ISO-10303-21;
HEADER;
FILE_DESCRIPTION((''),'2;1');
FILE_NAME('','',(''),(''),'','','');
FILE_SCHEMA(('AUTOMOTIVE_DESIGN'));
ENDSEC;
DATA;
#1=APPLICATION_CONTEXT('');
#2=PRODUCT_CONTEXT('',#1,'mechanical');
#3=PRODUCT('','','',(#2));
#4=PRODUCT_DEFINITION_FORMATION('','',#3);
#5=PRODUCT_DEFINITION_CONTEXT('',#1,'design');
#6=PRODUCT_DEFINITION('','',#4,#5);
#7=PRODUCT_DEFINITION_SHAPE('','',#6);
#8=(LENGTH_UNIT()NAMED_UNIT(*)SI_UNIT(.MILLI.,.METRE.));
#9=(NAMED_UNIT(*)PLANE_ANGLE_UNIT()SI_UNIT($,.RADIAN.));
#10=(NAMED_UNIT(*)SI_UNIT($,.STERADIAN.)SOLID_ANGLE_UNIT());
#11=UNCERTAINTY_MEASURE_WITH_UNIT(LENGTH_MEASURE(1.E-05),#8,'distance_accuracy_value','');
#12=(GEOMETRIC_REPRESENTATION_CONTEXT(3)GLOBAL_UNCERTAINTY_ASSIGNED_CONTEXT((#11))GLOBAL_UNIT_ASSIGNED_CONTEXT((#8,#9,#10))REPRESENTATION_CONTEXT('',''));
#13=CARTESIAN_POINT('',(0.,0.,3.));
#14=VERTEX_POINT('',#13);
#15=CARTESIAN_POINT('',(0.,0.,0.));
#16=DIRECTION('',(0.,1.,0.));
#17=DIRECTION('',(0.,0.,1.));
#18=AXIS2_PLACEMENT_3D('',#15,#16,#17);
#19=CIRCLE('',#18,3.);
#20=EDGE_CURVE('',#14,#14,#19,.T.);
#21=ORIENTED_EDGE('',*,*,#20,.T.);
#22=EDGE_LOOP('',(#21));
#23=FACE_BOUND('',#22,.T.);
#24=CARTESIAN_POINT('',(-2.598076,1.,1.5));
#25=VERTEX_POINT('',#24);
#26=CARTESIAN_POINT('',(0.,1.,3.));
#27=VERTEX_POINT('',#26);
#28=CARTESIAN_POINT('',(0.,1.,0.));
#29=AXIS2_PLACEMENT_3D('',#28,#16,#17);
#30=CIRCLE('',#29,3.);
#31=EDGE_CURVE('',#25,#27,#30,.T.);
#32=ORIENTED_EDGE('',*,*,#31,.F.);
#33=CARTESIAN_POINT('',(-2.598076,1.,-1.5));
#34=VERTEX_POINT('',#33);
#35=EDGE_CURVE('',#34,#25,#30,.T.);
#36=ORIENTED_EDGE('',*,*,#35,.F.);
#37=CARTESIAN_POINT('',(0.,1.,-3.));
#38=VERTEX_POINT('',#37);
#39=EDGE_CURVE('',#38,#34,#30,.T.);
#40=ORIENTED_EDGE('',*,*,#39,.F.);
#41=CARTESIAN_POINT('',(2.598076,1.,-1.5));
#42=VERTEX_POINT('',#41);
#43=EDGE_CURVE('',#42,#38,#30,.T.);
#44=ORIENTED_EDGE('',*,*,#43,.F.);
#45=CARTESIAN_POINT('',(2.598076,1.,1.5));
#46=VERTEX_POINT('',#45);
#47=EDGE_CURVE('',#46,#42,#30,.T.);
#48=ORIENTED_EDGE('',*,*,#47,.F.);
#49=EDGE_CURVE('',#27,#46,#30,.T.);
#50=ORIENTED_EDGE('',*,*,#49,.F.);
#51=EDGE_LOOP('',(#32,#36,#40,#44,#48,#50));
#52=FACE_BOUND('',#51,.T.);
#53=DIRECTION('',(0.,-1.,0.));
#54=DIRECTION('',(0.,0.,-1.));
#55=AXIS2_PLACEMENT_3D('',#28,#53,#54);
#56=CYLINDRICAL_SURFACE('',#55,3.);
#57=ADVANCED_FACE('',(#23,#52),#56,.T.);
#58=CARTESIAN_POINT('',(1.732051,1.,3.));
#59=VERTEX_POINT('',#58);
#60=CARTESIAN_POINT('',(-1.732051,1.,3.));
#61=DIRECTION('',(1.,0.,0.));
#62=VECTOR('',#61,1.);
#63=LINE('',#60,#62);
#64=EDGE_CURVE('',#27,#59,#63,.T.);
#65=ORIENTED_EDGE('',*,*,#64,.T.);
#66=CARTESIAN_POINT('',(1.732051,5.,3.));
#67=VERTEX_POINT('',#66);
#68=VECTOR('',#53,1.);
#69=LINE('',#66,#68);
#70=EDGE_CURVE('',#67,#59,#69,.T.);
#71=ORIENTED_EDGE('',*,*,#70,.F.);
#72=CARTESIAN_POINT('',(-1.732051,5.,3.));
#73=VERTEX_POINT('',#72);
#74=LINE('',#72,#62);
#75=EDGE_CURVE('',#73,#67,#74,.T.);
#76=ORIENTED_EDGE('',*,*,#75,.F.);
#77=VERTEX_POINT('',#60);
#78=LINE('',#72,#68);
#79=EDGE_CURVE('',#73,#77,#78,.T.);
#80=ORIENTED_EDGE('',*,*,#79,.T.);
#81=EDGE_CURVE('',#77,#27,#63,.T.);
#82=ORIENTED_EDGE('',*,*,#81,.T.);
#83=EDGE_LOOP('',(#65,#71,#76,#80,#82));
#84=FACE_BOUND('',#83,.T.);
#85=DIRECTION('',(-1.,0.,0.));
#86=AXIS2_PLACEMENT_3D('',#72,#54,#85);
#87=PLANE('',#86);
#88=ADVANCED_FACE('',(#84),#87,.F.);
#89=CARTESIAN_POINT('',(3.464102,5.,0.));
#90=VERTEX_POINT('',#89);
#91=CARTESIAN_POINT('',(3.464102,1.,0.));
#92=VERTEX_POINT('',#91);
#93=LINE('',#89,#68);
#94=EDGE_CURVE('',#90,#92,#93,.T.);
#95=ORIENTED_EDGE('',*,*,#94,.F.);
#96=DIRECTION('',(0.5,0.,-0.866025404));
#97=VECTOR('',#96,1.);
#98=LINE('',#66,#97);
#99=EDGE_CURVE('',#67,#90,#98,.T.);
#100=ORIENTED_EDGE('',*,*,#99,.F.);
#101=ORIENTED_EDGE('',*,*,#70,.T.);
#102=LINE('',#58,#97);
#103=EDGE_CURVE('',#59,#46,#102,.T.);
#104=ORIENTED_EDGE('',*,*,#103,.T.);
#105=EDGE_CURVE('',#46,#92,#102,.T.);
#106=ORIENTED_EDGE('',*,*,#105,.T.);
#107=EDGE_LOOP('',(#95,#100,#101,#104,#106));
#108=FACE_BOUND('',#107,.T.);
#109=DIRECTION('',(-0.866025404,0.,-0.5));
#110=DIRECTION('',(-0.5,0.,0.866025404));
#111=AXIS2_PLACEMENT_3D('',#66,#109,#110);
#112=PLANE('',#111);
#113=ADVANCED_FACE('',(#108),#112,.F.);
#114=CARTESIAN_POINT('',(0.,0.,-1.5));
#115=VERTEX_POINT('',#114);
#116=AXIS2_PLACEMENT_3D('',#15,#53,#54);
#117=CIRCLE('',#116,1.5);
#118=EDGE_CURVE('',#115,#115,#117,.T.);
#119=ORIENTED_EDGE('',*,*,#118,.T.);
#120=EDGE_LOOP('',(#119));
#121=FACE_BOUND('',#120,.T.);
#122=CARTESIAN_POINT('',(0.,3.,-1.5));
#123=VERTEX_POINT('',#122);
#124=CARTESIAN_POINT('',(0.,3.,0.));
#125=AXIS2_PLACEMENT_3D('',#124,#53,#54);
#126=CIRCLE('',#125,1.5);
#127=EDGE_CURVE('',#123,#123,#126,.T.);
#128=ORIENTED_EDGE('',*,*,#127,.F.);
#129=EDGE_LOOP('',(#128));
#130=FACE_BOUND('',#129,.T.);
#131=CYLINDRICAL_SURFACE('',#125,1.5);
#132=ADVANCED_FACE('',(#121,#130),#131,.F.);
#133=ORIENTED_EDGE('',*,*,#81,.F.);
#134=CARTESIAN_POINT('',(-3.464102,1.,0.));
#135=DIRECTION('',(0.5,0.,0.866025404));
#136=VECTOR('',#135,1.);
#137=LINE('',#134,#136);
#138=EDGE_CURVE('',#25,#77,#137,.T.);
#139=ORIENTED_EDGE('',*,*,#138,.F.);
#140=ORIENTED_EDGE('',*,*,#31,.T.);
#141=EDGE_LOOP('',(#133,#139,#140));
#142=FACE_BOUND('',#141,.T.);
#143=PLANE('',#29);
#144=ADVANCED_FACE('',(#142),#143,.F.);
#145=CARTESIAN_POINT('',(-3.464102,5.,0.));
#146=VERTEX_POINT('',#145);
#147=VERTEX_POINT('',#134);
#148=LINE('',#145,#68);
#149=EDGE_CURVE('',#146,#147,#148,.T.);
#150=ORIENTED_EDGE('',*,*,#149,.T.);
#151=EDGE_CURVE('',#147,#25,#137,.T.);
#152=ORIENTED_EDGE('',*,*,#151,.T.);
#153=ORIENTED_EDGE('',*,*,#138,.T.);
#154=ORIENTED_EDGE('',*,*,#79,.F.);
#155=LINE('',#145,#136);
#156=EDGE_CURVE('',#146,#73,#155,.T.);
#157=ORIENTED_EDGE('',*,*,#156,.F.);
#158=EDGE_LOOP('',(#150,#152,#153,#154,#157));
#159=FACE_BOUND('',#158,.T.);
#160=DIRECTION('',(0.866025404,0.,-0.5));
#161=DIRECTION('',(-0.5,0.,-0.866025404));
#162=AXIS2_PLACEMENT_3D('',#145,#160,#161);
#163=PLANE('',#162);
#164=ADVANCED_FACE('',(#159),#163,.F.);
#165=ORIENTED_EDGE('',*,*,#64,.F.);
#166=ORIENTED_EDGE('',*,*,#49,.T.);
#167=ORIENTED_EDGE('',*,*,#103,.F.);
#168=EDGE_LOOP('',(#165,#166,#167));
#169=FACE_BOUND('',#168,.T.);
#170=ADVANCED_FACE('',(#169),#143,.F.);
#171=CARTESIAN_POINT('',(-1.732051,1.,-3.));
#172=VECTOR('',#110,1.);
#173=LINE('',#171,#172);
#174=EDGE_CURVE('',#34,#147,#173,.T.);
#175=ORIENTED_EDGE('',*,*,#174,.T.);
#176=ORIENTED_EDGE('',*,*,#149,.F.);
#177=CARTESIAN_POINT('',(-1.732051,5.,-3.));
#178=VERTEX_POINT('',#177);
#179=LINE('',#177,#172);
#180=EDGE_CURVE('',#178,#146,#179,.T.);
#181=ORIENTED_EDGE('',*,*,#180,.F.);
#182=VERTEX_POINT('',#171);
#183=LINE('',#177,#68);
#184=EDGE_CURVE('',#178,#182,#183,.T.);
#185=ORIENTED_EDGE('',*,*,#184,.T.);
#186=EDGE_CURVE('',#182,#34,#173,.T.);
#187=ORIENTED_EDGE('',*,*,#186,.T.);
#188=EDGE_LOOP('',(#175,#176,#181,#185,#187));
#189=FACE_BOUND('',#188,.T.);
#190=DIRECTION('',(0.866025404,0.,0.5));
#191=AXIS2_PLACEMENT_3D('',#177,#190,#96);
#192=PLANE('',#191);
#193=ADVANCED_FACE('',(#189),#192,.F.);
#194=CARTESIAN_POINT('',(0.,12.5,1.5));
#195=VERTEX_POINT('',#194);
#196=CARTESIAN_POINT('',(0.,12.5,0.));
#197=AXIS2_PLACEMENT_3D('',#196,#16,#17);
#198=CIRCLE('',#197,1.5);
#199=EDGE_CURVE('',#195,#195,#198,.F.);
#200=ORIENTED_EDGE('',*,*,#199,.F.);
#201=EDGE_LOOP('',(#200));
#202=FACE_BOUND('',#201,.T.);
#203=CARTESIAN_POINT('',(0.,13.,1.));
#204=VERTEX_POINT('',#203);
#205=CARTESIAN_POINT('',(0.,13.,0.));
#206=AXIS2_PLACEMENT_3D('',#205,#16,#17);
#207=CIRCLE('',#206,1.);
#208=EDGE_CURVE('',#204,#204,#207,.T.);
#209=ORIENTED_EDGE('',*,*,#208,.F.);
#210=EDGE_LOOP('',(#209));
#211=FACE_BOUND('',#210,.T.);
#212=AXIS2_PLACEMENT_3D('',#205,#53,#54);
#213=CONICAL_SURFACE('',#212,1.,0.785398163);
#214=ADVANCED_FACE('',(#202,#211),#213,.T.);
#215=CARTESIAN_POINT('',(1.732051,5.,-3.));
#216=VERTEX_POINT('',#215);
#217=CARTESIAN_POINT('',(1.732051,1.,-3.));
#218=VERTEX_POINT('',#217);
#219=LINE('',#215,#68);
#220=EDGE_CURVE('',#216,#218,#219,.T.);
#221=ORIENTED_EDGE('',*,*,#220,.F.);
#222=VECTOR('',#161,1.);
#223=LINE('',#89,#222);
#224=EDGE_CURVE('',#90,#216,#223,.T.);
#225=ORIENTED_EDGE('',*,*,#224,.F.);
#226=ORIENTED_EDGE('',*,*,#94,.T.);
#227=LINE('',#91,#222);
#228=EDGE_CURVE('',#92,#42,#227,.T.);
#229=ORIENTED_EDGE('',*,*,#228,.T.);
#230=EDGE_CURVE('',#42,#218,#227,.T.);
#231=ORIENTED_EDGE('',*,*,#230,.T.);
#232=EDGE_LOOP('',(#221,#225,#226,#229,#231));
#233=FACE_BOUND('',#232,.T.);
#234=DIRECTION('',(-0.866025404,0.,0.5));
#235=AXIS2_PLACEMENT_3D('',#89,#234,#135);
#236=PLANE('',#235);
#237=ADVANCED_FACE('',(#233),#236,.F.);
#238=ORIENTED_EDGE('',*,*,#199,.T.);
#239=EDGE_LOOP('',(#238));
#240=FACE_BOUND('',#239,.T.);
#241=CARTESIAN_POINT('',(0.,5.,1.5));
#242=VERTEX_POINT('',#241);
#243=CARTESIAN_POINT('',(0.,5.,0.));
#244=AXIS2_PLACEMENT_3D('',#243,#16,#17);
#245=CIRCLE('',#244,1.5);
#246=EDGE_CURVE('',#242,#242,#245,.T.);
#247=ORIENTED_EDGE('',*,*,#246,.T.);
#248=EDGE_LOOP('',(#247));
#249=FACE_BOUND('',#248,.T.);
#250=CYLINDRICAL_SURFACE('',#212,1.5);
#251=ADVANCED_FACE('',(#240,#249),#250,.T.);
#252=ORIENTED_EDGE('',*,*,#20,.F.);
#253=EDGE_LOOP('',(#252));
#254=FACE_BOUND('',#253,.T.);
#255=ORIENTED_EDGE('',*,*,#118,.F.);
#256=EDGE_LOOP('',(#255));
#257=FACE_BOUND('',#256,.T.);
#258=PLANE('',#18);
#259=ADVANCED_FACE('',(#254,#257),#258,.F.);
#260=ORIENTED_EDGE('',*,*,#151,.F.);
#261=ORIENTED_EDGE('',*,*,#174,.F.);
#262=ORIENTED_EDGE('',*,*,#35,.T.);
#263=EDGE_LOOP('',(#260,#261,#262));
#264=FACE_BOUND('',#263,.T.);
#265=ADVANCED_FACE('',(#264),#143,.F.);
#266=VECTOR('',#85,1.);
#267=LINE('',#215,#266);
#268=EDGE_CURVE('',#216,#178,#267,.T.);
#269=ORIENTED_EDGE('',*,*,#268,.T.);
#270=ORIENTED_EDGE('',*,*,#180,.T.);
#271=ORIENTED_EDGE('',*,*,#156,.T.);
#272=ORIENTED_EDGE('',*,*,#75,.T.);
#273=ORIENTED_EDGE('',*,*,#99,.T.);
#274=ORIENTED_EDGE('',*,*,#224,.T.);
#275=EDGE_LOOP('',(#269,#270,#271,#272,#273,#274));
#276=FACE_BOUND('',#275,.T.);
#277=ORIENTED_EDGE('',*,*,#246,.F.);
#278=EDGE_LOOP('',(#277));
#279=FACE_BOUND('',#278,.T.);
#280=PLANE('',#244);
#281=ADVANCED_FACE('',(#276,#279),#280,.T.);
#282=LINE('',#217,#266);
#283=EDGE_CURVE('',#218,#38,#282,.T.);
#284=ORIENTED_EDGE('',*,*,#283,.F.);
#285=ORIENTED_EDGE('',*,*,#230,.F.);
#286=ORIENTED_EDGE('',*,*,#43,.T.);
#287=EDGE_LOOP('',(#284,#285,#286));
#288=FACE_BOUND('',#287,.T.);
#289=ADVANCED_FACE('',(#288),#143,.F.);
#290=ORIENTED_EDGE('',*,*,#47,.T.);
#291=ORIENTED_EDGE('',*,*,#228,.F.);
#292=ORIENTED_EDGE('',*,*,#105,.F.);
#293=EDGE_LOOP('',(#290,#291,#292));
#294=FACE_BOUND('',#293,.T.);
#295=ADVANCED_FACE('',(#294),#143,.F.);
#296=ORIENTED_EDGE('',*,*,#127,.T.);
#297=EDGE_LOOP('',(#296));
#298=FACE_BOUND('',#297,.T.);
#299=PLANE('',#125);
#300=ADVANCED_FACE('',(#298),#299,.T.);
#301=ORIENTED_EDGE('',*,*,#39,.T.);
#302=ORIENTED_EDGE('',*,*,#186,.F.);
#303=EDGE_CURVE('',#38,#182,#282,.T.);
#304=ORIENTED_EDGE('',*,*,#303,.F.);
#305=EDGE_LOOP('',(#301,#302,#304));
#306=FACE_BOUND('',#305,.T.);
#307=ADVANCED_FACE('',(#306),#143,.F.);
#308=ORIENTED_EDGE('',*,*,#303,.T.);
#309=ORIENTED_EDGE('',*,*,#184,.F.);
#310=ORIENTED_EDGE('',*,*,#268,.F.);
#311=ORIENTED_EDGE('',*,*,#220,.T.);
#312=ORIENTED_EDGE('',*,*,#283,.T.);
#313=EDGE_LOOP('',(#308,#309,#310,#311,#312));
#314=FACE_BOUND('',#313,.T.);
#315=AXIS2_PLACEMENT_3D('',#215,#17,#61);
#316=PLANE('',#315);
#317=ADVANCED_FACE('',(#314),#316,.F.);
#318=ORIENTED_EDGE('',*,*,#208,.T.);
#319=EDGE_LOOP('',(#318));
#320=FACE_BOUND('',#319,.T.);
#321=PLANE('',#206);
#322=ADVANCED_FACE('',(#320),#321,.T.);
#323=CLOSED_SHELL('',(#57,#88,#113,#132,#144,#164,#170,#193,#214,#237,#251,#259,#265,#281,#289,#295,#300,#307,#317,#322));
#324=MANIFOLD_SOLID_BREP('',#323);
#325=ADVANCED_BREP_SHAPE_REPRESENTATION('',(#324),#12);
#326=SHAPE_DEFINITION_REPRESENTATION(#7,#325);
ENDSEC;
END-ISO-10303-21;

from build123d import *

# Parameters (mm, degrees)
SKETCH1_R           = 3
BOSS_EXTRUDE1_DEPTH = 1
BOSS_EXTRUDE2_DEPTH = 4
SKETCH3_R           = 1.5
BOSS_EXTRUDE3_DEPTH = 8
CHAMFER1_SIZE       = 0.5
SKETCH4_R           = 1.5
CUT_EXTRUDE1_DEPTH  = 3


with BuildPart() as part:
    # Sketch1 → Boss-Extrude1 (new body)
    with BuildSketch(Plane(origin=(0, 0, 0), x_dir=(1, 0, 0), z_dir=(0, 1, 0))):
        with Locations(Location((0, 0, 0), (0, 0, 270))):
            Circle(SKETCH1_R)
    extrude(amount=BOSS_EXTRUDE1_DEPTH)

    # Sketch2 → Boss-Extrude2 (add)
    with BuildSketch(Plane(origin=(0, 1, 0), x_dir=(1, 0, 0), z_dir=(0, 1, 0))):
        Polygon((3.464101615, 0), (1.732050808, 3), (-1.732050808, 3), (-3.464101615, 0), (-1.732050808, -3), (1.732050808, -3), align=None)
    extrude(amount=BOSS_EXTRUDE2_DEPTH)

    # Sketch3 → Boss-Extrude3 (add)
    with BuildSketch(Plane(origin=(0, 5, 0), x_dir=(1, 0, 0), z_dir=(0, 1, 0))):
        with Locations(Location((0, 0, 0), (0, 0, 270))):
            Circle(SKETCH3_R)
    extrude(amount=BOSS_EXTRUDE3_DEPTH)

    # Chamfer1
    chamfer1_edges = [part.edges().sort_by_distance(p)[0] for p in [
        (0, 13, -1.5),
    ]]
    chamfer(chamfer1_edges, length=CHAMFER1_SIZE)

    # Sketch4 → Cut-Extrude1 (cut)
    with BuildSketch(Plane.XZ):
        with Locations(Location((0, 0, 0), (0, 0, 90))):
            Circle(SKETCH4_R)
    extrude(amount=-CUT_EXTRUDE1_DEPTH, mode=Mode.SUBTRACT)


solid = part.part
